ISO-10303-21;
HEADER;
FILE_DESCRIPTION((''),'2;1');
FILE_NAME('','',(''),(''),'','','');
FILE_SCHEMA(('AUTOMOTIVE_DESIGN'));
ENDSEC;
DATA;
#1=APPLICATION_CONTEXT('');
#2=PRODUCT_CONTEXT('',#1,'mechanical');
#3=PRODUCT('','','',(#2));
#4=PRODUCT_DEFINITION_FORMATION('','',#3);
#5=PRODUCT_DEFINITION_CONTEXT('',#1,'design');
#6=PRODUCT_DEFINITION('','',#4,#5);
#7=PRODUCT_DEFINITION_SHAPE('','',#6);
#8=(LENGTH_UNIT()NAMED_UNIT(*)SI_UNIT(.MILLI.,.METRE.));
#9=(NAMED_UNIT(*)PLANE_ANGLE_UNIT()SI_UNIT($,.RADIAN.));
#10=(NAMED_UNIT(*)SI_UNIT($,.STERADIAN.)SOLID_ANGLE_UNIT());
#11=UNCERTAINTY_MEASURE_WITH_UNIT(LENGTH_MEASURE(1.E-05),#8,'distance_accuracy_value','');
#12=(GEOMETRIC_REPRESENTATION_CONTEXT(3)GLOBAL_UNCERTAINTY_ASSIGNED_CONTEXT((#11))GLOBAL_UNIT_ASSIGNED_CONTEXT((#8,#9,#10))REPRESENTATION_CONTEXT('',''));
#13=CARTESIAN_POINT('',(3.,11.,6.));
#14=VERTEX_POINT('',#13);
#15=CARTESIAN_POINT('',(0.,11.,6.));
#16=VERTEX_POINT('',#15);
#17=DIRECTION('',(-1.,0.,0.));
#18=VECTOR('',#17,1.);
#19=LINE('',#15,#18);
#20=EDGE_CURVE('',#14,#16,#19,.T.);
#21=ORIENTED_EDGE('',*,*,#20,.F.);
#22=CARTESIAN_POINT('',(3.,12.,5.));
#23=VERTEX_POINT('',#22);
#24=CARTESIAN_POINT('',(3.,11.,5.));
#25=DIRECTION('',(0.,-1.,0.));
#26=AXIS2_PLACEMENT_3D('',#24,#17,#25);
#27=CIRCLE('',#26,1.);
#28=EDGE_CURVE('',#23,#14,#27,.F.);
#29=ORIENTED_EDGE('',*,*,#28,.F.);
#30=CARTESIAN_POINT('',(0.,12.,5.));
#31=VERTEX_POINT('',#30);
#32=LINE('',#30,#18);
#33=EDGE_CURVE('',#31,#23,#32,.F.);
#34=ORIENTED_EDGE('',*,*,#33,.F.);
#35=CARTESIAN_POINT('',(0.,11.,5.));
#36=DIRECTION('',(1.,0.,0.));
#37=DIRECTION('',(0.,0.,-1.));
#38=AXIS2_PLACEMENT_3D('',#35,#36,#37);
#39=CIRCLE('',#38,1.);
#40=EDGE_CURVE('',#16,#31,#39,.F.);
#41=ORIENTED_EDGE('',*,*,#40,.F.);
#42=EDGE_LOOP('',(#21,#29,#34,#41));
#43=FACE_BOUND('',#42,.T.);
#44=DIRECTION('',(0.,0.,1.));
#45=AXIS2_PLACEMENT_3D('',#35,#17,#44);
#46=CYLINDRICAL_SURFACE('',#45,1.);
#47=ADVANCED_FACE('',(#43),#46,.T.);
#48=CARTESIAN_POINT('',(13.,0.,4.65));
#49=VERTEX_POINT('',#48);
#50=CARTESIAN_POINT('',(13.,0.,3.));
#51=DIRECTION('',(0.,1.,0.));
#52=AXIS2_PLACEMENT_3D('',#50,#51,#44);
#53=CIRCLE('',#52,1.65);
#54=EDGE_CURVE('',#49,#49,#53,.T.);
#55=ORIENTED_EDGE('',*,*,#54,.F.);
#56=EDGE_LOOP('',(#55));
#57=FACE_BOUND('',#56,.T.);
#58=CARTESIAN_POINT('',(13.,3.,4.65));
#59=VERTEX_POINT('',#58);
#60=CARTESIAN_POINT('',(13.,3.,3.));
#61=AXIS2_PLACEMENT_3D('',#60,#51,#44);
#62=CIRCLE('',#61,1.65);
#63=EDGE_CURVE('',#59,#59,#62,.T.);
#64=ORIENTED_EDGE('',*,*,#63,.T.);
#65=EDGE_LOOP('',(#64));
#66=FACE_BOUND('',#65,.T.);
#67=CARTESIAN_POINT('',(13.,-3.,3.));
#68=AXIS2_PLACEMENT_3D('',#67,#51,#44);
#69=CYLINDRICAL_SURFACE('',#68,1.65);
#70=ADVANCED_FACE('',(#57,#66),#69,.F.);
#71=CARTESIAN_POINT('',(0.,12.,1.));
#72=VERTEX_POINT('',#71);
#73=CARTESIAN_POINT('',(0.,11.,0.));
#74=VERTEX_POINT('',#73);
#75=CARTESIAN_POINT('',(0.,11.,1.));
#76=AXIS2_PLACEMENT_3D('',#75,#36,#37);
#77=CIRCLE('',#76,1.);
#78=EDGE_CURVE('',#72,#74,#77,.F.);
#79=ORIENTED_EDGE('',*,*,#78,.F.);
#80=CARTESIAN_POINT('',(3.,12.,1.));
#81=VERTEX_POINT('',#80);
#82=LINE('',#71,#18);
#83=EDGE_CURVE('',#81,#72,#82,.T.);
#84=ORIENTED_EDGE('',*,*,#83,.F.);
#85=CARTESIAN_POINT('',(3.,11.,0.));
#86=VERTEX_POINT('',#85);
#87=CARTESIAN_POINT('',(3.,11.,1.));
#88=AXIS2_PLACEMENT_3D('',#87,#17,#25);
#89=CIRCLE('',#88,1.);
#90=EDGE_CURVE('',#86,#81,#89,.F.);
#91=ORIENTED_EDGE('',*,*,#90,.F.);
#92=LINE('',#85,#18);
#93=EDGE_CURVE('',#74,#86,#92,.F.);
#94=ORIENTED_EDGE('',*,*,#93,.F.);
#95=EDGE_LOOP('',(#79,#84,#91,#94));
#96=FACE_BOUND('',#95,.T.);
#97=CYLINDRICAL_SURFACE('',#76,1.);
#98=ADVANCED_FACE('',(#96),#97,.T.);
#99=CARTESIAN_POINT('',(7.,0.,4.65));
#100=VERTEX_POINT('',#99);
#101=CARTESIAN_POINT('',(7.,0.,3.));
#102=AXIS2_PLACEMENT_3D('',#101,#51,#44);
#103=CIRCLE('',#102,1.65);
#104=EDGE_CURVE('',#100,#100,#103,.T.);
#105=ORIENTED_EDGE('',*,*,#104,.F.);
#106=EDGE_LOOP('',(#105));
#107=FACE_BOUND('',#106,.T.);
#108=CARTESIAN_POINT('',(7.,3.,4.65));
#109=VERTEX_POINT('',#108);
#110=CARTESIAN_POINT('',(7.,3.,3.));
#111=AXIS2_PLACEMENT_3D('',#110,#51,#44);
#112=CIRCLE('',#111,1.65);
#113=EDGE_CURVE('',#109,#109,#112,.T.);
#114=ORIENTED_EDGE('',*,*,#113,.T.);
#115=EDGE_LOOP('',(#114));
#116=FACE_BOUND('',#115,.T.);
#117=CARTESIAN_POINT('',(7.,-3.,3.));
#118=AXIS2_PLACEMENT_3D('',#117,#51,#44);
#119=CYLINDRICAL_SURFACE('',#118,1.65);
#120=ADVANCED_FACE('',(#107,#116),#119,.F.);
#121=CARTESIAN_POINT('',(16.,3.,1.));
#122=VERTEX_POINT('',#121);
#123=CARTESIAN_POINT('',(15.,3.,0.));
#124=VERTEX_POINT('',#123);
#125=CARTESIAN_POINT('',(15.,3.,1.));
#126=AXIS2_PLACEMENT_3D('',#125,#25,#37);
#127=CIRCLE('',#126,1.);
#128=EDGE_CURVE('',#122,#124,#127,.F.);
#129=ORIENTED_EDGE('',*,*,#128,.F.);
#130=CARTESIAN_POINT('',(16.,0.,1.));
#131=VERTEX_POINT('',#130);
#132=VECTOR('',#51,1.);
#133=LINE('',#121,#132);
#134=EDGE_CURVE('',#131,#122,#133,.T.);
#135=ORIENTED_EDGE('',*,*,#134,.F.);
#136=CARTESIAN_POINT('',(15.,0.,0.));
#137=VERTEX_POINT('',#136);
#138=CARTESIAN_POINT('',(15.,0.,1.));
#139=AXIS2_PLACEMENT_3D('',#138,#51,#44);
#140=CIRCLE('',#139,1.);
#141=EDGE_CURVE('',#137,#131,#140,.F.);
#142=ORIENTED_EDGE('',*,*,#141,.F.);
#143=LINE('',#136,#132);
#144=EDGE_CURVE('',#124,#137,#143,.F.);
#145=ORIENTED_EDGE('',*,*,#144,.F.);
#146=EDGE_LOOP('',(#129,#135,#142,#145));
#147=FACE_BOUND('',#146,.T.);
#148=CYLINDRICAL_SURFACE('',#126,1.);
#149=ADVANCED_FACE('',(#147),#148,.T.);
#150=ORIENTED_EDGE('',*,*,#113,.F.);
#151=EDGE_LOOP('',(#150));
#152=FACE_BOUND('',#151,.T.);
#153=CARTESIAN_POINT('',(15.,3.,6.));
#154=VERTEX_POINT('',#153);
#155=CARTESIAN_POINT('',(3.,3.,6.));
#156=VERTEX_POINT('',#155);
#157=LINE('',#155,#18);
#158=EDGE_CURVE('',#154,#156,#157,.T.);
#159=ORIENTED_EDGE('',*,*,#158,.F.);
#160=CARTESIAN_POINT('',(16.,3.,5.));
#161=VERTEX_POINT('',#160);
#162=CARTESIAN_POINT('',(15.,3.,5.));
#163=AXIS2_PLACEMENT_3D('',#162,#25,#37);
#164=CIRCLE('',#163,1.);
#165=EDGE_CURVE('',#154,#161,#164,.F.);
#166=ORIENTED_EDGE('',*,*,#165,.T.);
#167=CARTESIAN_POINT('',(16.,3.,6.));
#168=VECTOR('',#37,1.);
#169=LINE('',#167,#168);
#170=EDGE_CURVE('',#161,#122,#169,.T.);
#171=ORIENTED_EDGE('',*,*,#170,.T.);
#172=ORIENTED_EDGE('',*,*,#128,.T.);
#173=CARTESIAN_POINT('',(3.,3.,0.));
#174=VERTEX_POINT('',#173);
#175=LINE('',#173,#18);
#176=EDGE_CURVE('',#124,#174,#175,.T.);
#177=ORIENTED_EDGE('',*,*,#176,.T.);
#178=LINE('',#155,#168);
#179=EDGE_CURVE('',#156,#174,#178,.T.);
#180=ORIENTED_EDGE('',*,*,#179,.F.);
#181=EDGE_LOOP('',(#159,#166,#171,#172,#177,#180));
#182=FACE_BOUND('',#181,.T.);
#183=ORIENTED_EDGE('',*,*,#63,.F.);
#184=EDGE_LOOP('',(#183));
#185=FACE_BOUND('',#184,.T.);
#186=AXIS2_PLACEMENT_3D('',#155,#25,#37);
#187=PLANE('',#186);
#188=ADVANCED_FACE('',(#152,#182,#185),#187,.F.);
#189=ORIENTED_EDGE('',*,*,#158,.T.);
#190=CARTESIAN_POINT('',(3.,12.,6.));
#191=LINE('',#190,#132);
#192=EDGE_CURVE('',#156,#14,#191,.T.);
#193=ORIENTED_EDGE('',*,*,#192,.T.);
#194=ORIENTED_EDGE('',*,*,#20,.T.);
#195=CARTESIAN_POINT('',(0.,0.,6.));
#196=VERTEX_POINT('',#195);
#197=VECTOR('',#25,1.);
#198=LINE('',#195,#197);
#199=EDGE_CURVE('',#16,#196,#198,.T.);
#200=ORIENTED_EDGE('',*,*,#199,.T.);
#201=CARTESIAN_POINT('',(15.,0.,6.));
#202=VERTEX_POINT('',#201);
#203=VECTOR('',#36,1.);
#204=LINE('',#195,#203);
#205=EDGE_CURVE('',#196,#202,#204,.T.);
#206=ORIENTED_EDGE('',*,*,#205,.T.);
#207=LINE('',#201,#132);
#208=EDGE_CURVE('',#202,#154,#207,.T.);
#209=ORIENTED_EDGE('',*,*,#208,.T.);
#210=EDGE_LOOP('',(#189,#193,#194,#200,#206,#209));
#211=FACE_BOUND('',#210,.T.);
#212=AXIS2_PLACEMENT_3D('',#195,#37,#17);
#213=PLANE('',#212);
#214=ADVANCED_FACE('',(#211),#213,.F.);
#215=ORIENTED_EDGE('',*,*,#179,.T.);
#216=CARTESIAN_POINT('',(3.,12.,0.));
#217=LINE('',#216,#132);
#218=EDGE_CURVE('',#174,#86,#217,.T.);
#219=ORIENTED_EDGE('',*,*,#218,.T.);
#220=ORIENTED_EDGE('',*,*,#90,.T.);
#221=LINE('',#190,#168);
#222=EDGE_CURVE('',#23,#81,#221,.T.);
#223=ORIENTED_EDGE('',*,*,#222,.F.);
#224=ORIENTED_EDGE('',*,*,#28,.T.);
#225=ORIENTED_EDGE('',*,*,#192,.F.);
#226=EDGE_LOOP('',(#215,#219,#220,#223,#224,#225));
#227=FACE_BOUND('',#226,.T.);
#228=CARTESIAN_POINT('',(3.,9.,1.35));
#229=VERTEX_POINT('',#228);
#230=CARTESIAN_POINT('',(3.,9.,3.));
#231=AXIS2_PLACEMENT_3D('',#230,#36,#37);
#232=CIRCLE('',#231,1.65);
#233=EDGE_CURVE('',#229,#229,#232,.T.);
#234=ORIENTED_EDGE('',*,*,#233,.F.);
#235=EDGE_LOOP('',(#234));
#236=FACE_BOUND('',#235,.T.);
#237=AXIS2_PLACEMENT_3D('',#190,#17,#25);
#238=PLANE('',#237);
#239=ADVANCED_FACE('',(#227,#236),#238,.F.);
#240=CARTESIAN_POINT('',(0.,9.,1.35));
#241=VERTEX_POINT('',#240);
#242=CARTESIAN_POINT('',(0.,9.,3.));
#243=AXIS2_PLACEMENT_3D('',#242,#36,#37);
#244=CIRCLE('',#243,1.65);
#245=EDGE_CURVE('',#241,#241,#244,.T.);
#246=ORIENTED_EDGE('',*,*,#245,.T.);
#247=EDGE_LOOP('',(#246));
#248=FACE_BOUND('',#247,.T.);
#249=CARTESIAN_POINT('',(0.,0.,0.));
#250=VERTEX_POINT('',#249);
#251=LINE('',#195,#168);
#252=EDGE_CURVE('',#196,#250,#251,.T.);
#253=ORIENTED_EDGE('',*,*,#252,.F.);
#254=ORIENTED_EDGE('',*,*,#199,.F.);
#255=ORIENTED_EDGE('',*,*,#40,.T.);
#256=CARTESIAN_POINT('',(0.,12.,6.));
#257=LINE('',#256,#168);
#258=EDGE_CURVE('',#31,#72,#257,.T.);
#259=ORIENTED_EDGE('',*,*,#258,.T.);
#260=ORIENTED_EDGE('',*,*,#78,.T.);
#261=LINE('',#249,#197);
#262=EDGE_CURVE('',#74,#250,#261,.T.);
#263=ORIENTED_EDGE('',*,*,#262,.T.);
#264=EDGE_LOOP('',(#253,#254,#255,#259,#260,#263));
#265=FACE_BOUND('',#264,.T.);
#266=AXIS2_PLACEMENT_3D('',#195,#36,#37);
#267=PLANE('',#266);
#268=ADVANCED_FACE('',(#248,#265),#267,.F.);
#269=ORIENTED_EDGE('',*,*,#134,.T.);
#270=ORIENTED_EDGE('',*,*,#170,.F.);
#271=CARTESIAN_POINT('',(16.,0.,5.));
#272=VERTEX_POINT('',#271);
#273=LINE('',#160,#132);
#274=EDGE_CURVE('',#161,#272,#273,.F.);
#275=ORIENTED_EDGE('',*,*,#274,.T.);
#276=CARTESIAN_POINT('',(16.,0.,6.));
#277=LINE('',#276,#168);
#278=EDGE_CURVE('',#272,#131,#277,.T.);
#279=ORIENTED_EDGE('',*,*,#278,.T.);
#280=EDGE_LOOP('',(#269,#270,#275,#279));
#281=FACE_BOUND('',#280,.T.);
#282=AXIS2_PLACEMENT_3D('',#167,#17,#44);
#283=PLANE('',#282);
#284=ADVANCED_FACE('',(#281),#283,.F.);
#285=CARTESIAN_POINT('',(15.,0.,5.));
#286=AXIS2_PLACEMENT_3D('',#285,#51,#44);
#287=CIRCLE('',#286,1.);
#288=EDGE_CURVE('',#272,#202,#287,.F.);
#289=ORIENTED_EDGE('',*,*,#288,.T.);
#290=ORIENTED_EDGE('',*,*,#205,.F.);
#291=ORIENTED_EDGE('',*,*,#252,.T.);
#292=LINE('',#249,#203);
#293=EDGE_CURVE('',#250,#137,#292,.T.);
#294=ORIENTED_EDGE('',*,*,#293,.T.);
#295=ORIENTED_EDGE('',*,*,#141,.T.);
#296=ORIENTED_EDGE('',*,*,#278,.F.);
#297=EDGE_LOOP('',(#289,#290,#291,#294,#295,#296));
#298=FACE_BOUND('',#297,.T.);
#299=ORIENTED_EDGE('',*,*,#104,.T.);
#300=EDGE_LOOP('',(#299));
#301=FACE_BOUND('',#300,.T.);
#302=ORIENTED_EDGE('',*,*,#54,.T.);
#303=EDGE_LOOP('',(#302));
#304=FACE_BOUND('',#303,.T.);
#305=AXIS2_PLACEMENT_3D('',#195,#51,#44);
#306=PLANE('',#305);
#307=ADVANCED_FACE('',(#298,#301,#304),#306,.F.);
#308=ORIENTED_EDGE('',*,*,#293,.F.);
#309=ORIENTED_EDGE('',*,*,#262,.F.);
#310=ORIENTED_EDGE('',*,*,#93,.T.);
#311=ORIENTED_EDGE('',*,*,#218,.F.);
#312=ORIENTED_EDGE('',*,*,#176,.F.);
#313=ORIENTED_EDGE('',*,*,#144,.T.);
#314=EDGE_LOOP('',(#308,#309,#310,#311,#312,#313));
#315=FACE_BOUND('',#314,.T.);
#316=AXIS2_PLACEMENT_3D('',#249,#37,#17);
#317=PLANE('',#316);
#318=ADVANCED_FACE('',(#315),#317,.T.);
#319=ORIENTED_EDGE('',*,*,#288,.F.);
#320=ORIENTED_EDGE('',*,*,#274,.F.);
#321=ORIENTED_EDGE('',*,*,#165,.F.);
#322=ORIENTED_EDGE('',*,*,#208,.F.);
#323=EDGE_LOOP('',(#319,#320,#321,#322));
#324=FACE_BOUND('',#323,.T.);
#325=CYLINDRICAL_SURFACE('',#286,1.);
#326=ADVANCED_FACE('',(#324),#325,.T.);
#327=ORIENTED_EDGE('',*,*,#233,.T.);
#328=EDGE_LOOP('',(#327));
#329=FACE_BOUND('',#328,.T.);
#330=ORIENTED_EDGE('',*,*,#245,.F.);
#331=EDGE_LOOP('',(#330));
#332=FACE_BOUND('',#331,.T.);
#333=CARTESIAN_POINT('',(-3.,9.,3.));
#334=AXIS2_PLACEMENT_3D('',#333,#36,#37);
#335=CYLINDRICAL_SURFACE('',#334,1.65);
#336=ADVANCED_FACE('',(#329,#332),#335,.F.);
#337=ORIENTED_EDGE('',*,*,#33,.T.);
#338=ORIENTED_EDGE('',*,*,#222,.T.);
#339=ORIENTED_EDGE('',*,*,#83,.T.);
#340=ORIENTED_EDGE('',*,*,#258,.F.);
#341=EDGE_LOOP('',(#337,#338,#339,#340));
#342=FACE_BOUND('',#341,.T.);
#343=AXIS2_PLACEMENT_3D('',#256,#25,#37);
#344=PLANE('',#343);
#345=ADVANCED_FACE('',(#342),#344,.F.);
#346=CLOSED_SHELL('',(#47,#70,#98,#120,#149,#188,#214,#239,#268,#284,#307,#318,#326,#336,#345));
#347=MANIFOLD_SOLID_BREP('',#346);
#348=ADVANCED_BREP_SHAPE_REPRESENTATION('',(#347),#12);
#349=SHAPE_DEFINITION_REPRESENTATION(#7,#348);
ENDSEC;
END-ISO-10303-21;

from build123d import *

# Parameters (mm, degrees)
EXTRUDE_1_DEPTH     = 6
SKETCH_2_R          = 1.65
CUT_EXTRUDE_1_DEPTH = 6
SKETCH_3_R          = 1.65
CUT_EXTRUDE_2_DEPTH = 6
FILLET_1_R          = 1


with BuildPart() as part:
    # 草图1 → 凸台-拉伸1 (new body)
    with BuildSketch(Plane.XY):
        Polygon((0, 0), (16, 0), (16, 3), (3, 3), (3, 12), (0, 12), align=None)
    extrude(amount=EXTRUDE_1_DEPTH)

    # 草图2 → 切除-拉伸1 (cut)
    with BuildSketch(Plane(origin=(3, 0, 0), x_dir=(0, 0, -1), z_dir=(1, 0, 0))):
        with Locations((-3, 9)):
            Circle(SKETCH_2_R)
    extrude(amount=-CUT_EXTRUDE_1_DEPTH, mode=Mode.SUBTRACT)

    # 草图3 → 切除-拉伸2 (cut)
    with BuildSketch(Plane(origin=(0, 3, 0), x_dir=(1, 0, 0), z_dir=(0, 1, 0))):
        with Locations(Location((7, -3, 0), (0, 0, 270))):
            Circle(SKETCH_3_R)
        with Locations(Location((13, -3, 0), (0, 0, 270))):
            Circle(SKETCH_3_R)
    extrude(amount=-CUT_EXTRUDE_2_DEPTH, mode=Mode.SUBTRACT)

    # 圆角1
    fillet_1_edges = [part.edges().sort_by_distance(p)[0] for p in [
        (16, 1.5, 6),
        (1.5, 12, 6),
        (1.5, 12, 0),
        (16, 1.5, 0),
    ]]
    fillet(fillet_1_edges, radius=FILLET_1_R)


solid = part.part
